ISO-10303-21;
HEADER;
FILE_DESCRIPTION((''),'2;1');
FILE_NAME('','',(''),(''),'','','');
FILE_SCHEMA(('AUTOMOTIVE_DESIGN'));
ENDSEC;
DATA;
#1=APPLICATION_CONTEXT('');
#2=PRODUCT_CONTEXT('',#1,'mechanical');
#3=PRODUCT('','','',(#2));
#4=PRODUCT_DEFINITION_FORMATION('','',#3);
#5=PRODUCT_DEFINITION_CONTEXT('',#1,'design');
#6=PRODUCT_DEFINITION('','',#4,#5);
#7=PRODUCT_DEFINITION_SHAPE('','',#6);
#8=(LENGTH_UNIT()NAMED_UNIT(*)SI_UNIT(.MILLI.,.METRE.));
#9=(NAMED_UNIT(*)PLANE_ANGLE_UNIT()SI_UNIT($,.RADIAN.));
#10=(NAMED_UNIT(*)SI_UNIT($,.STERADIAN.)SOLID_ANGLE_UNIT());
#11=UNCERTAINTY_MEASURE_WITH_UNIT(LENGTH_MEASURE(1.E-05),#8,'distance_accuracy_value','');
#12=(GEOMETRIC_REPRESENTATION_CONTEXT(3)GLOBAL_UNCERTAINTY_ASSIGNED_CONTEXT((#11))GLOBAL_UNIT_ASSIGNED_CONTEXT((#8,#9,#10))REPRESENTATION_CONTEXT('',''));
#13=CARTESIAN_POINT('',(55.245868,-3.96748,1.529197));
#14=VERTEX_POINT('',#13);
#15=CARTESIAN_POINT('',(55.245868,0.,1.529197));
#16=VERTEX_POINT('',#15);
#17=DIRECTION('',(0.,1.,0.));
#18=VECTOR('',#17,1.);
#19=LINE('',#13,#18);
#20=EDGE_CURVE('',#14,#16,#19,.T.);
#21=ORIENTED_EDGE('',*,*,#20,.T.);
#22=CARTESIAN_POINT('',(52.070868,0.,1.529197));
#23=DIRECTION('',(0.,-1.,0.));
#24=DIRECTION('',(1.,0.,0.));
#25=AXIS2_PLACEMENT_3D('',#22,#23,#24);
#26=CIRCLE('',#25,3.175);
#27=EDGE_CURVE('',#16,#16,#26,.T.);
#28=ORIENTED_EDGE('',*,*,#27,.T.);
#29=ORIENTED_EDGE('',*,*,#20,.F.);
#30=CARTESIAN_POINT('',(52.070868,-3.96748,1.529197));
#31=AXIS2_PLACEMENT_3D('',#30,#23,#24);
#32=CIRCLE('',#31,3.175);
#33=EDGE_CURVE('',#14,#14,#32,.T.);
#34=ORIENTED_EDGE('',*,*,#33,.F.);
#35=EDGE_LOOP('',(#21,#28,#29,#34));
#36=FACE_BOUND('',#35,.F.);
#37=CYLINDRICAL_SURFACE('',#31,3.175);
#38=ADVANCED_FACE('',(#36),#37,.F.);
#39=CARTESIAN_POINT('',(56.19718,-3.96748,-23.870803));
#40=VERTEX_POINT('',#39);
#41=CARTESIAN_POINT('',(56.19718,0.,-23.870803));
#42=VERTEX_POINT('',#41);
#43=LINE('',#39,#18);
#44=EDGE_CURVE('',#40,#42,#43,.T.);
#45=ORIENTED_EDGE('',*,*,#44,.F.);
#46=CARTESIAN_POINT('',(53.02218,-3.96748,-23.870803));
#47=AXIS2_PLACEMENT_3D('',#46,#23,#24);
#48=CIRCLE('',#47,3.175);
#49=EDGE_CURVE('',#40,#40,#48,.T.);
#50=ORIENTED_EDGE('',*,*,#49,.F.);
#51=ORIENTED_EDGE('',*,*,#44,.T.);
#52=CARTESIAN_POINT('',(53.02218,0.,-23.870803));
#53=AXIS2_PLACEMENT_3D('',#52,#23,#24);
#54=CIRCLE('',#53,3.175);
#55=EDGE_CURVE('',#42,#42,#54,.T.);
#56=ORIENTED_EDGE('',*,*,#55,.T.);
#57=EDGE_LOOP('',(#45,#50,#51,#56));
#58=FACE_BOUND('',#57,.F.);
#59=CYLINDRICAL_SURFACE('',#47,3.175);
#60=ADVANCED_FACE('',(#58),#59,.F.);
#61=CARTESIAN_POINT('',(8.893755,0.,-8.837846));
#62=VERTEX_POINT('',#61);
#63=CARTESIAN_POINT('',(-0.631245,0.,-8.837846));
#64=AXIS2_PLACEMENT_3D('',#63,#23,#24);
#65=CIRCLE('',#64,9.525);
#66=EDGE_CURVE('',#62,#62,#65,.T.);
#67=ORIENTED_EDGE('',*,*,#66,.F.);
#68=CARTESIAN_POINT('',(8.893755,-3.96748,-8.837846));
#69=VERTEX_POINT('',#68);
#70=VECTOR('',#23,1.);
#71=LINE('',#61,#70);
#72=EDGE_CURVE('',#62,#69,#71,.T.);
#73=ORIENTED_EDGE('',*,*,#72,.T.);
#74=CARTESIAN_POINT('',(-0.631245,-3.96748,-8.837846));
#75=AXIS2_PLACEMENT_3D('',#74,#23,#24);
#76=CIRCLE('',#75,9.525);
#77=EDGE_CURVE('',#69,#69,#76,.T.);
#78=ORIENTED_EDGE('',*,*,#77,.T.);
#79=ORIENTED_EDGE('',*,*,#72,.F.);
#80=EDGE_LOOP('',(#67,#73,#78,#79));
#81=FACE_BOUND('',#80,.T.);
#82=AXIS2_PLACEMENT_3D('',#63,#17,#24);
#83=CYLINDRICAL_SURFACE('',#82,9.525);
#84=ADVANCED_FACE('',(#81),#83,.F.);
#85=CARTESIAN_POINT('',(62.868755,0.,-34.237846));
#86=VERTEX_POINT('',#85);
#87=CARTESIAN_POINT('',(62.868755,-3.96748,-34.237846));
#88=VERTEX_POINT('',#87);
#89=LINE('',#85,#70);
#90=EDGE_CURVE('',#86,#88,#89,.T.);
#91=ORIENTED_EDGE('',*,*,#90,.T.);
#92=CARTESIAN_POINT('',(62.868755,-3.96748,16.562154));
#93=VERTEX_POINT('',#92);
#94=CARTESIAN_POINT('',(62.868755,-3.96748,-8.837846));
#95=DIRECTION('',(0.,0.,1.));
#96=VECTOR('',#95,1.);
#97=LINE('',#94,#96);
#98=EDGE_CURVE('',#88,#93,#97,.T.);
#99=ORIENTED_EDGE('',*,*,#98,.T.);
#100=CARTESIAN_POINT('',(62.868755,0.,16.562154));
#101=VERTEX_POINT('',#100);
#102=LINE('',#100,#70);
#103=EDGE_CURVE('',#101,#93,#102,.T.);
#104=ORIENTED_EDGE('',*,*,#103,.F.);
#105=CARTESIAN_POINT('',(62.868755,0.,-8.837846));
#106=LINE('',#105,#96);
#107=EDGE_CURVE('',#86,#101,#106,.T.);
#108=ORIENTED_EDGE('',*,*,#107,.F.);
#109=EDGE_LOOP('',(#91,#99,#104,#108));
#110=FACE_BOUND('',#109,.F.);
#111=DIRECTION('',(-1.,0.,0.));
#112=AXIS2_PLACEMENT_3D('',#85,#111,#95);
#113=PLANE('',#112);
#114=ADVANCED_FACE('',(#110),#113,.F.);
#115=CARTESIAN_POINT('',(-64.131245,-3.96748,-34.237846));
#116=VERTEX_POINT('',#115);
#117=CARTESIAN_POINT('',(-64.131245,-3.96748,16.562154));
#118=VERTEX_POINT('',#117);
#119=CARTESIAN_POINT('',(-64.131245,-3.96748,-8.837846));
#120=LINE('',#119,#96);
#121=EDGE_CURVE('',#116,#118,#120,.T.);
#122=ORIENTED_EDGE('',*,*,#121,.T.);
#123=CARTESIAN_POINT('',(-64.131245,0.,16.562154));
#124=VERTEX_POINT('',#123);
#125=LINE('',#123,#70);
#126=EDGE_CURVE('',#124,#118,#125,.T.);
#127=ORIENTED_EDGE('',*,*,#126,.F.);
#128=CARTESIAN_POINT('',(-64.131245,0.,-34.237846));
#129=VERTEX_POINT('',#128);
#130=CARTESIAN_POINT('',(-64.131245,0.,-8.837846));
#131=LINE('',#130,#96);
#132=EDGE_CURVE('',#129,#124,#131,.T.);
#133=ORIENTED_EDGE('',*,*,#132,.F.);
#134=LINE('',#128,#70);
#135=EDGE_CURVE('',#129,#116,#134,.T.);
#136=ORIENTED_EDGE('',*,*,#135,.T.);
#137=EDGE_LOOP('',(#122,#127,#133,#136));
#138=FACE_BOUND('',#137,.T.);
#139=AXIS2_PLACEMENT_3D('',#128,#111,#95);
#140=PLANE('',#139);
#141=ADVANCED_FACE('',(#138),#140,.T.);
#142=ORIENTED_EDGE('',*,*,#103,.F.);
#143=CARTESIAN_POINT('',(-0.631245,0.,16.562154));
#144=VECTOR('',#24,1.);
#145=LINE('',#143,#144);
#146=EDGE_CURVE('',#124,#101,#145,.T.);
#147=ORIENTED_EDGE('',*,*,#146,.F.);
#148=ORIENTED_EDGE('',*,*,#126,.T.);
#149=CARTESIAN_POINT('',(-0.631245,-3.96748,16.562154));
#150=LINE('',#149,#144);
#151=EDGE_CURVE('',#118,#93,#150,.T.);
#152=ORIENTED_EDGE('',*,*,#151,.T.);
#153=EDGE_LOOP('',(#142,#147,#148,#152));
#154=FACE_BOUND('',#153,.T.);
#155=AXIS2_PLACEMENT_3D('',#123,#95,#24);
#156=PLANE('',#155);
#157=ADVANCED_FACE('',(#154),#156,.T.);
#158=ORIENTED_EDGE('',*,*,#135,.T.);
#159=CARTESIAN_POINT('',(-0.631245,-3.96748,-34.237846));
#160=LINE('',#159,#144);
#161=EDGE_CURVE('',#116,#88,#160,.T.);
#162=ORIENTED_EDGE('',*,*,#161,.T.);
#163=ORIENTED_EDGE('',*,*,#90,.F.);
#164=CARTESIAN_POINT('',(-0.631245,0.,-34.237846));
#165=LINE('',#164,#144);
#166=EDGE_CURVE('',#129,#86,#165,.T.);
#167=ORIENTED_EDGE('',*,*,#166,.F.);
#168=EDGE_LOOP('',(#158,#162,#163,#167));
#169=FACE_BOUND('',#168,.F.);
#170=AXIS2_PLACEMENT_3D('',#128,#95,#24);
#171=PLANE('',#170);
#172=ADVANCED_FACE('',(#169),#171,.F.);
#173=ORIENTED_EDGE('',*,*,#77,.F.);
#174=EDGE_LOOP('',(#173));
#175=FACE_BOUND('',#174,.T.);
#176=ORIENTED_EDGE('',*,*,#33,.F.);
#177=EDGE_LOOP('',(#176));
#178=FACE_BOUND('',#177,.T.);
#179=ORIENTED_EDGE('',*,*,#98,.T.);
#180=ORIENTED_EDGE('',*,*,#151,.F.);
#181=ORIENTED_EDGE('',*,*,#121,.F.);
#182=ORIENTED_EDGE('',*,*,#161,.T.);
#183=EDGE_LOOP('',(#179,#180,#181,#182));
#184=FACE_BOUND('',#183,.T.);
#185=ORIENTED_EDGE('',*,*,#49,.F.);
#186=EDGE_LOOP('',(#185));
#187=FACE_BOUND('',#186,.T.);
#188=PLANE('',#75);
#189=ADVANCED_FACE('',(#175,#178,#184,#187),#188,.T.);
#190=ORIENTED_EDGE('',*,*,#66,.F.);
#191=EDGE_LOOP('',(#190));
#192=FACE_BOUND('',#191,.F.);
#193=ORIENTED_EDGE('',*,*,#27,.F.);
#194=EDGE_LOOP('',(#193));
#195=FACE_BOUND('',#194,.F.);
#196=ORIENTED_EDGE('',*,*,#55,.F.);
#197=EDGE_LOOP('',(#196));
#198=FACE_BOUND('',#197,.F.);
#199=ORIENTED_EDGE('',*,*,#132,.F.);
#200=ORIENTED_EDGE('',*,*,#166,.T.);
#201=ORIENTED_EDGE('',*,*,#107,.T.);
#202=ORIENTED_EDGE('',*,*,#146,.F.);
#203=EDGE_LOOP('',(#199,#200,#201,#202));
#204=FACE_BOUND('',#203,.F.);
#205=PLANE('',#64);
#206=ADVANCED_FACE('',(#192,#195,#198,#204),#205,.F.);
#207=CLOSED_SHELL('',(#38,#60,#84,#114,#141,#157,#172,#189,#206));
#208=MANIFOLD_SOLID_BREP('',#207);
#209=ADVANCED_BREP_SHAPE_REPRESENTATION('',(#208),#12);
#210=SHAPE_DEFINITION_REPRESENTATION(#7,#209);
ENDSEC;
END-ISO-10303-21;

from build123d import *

# Parameters (mm, degrees)
F0_W     = 127
F0_H     = 50.8
F0_R     = 9.525
F1_DEPTH = 3.96748
F2_R     = 3.175
F3_DEPTH = 25.4


with BuildPart() as f1:
    # F0 (on Front) → F1 (new body)
    with BuildSketch(Plane.XZ):
        with Locations((-0.631245, -8.837846)):
            Rectangle(F0_W, F0_H)
        with Locations((-0.631245, -8.837846)):
            Circle(F0_R, mode=Mode.SUBTRACT)
    extrude(amount=F1_DEPTH)

    # F2 (on face) → F3 (cut)
    with BuildSketch(Plane.XZ.offset(3.96748)):
        with Locations((52.070868, 1.529197)):
            Circle(F2_R)
        with Locations((53.02218, -23.870803)):
            Circle(F2_R)
    extrude(amount=-F3_DEPTH, mode=Mode.SUBTRACT)


solid = f1.part
